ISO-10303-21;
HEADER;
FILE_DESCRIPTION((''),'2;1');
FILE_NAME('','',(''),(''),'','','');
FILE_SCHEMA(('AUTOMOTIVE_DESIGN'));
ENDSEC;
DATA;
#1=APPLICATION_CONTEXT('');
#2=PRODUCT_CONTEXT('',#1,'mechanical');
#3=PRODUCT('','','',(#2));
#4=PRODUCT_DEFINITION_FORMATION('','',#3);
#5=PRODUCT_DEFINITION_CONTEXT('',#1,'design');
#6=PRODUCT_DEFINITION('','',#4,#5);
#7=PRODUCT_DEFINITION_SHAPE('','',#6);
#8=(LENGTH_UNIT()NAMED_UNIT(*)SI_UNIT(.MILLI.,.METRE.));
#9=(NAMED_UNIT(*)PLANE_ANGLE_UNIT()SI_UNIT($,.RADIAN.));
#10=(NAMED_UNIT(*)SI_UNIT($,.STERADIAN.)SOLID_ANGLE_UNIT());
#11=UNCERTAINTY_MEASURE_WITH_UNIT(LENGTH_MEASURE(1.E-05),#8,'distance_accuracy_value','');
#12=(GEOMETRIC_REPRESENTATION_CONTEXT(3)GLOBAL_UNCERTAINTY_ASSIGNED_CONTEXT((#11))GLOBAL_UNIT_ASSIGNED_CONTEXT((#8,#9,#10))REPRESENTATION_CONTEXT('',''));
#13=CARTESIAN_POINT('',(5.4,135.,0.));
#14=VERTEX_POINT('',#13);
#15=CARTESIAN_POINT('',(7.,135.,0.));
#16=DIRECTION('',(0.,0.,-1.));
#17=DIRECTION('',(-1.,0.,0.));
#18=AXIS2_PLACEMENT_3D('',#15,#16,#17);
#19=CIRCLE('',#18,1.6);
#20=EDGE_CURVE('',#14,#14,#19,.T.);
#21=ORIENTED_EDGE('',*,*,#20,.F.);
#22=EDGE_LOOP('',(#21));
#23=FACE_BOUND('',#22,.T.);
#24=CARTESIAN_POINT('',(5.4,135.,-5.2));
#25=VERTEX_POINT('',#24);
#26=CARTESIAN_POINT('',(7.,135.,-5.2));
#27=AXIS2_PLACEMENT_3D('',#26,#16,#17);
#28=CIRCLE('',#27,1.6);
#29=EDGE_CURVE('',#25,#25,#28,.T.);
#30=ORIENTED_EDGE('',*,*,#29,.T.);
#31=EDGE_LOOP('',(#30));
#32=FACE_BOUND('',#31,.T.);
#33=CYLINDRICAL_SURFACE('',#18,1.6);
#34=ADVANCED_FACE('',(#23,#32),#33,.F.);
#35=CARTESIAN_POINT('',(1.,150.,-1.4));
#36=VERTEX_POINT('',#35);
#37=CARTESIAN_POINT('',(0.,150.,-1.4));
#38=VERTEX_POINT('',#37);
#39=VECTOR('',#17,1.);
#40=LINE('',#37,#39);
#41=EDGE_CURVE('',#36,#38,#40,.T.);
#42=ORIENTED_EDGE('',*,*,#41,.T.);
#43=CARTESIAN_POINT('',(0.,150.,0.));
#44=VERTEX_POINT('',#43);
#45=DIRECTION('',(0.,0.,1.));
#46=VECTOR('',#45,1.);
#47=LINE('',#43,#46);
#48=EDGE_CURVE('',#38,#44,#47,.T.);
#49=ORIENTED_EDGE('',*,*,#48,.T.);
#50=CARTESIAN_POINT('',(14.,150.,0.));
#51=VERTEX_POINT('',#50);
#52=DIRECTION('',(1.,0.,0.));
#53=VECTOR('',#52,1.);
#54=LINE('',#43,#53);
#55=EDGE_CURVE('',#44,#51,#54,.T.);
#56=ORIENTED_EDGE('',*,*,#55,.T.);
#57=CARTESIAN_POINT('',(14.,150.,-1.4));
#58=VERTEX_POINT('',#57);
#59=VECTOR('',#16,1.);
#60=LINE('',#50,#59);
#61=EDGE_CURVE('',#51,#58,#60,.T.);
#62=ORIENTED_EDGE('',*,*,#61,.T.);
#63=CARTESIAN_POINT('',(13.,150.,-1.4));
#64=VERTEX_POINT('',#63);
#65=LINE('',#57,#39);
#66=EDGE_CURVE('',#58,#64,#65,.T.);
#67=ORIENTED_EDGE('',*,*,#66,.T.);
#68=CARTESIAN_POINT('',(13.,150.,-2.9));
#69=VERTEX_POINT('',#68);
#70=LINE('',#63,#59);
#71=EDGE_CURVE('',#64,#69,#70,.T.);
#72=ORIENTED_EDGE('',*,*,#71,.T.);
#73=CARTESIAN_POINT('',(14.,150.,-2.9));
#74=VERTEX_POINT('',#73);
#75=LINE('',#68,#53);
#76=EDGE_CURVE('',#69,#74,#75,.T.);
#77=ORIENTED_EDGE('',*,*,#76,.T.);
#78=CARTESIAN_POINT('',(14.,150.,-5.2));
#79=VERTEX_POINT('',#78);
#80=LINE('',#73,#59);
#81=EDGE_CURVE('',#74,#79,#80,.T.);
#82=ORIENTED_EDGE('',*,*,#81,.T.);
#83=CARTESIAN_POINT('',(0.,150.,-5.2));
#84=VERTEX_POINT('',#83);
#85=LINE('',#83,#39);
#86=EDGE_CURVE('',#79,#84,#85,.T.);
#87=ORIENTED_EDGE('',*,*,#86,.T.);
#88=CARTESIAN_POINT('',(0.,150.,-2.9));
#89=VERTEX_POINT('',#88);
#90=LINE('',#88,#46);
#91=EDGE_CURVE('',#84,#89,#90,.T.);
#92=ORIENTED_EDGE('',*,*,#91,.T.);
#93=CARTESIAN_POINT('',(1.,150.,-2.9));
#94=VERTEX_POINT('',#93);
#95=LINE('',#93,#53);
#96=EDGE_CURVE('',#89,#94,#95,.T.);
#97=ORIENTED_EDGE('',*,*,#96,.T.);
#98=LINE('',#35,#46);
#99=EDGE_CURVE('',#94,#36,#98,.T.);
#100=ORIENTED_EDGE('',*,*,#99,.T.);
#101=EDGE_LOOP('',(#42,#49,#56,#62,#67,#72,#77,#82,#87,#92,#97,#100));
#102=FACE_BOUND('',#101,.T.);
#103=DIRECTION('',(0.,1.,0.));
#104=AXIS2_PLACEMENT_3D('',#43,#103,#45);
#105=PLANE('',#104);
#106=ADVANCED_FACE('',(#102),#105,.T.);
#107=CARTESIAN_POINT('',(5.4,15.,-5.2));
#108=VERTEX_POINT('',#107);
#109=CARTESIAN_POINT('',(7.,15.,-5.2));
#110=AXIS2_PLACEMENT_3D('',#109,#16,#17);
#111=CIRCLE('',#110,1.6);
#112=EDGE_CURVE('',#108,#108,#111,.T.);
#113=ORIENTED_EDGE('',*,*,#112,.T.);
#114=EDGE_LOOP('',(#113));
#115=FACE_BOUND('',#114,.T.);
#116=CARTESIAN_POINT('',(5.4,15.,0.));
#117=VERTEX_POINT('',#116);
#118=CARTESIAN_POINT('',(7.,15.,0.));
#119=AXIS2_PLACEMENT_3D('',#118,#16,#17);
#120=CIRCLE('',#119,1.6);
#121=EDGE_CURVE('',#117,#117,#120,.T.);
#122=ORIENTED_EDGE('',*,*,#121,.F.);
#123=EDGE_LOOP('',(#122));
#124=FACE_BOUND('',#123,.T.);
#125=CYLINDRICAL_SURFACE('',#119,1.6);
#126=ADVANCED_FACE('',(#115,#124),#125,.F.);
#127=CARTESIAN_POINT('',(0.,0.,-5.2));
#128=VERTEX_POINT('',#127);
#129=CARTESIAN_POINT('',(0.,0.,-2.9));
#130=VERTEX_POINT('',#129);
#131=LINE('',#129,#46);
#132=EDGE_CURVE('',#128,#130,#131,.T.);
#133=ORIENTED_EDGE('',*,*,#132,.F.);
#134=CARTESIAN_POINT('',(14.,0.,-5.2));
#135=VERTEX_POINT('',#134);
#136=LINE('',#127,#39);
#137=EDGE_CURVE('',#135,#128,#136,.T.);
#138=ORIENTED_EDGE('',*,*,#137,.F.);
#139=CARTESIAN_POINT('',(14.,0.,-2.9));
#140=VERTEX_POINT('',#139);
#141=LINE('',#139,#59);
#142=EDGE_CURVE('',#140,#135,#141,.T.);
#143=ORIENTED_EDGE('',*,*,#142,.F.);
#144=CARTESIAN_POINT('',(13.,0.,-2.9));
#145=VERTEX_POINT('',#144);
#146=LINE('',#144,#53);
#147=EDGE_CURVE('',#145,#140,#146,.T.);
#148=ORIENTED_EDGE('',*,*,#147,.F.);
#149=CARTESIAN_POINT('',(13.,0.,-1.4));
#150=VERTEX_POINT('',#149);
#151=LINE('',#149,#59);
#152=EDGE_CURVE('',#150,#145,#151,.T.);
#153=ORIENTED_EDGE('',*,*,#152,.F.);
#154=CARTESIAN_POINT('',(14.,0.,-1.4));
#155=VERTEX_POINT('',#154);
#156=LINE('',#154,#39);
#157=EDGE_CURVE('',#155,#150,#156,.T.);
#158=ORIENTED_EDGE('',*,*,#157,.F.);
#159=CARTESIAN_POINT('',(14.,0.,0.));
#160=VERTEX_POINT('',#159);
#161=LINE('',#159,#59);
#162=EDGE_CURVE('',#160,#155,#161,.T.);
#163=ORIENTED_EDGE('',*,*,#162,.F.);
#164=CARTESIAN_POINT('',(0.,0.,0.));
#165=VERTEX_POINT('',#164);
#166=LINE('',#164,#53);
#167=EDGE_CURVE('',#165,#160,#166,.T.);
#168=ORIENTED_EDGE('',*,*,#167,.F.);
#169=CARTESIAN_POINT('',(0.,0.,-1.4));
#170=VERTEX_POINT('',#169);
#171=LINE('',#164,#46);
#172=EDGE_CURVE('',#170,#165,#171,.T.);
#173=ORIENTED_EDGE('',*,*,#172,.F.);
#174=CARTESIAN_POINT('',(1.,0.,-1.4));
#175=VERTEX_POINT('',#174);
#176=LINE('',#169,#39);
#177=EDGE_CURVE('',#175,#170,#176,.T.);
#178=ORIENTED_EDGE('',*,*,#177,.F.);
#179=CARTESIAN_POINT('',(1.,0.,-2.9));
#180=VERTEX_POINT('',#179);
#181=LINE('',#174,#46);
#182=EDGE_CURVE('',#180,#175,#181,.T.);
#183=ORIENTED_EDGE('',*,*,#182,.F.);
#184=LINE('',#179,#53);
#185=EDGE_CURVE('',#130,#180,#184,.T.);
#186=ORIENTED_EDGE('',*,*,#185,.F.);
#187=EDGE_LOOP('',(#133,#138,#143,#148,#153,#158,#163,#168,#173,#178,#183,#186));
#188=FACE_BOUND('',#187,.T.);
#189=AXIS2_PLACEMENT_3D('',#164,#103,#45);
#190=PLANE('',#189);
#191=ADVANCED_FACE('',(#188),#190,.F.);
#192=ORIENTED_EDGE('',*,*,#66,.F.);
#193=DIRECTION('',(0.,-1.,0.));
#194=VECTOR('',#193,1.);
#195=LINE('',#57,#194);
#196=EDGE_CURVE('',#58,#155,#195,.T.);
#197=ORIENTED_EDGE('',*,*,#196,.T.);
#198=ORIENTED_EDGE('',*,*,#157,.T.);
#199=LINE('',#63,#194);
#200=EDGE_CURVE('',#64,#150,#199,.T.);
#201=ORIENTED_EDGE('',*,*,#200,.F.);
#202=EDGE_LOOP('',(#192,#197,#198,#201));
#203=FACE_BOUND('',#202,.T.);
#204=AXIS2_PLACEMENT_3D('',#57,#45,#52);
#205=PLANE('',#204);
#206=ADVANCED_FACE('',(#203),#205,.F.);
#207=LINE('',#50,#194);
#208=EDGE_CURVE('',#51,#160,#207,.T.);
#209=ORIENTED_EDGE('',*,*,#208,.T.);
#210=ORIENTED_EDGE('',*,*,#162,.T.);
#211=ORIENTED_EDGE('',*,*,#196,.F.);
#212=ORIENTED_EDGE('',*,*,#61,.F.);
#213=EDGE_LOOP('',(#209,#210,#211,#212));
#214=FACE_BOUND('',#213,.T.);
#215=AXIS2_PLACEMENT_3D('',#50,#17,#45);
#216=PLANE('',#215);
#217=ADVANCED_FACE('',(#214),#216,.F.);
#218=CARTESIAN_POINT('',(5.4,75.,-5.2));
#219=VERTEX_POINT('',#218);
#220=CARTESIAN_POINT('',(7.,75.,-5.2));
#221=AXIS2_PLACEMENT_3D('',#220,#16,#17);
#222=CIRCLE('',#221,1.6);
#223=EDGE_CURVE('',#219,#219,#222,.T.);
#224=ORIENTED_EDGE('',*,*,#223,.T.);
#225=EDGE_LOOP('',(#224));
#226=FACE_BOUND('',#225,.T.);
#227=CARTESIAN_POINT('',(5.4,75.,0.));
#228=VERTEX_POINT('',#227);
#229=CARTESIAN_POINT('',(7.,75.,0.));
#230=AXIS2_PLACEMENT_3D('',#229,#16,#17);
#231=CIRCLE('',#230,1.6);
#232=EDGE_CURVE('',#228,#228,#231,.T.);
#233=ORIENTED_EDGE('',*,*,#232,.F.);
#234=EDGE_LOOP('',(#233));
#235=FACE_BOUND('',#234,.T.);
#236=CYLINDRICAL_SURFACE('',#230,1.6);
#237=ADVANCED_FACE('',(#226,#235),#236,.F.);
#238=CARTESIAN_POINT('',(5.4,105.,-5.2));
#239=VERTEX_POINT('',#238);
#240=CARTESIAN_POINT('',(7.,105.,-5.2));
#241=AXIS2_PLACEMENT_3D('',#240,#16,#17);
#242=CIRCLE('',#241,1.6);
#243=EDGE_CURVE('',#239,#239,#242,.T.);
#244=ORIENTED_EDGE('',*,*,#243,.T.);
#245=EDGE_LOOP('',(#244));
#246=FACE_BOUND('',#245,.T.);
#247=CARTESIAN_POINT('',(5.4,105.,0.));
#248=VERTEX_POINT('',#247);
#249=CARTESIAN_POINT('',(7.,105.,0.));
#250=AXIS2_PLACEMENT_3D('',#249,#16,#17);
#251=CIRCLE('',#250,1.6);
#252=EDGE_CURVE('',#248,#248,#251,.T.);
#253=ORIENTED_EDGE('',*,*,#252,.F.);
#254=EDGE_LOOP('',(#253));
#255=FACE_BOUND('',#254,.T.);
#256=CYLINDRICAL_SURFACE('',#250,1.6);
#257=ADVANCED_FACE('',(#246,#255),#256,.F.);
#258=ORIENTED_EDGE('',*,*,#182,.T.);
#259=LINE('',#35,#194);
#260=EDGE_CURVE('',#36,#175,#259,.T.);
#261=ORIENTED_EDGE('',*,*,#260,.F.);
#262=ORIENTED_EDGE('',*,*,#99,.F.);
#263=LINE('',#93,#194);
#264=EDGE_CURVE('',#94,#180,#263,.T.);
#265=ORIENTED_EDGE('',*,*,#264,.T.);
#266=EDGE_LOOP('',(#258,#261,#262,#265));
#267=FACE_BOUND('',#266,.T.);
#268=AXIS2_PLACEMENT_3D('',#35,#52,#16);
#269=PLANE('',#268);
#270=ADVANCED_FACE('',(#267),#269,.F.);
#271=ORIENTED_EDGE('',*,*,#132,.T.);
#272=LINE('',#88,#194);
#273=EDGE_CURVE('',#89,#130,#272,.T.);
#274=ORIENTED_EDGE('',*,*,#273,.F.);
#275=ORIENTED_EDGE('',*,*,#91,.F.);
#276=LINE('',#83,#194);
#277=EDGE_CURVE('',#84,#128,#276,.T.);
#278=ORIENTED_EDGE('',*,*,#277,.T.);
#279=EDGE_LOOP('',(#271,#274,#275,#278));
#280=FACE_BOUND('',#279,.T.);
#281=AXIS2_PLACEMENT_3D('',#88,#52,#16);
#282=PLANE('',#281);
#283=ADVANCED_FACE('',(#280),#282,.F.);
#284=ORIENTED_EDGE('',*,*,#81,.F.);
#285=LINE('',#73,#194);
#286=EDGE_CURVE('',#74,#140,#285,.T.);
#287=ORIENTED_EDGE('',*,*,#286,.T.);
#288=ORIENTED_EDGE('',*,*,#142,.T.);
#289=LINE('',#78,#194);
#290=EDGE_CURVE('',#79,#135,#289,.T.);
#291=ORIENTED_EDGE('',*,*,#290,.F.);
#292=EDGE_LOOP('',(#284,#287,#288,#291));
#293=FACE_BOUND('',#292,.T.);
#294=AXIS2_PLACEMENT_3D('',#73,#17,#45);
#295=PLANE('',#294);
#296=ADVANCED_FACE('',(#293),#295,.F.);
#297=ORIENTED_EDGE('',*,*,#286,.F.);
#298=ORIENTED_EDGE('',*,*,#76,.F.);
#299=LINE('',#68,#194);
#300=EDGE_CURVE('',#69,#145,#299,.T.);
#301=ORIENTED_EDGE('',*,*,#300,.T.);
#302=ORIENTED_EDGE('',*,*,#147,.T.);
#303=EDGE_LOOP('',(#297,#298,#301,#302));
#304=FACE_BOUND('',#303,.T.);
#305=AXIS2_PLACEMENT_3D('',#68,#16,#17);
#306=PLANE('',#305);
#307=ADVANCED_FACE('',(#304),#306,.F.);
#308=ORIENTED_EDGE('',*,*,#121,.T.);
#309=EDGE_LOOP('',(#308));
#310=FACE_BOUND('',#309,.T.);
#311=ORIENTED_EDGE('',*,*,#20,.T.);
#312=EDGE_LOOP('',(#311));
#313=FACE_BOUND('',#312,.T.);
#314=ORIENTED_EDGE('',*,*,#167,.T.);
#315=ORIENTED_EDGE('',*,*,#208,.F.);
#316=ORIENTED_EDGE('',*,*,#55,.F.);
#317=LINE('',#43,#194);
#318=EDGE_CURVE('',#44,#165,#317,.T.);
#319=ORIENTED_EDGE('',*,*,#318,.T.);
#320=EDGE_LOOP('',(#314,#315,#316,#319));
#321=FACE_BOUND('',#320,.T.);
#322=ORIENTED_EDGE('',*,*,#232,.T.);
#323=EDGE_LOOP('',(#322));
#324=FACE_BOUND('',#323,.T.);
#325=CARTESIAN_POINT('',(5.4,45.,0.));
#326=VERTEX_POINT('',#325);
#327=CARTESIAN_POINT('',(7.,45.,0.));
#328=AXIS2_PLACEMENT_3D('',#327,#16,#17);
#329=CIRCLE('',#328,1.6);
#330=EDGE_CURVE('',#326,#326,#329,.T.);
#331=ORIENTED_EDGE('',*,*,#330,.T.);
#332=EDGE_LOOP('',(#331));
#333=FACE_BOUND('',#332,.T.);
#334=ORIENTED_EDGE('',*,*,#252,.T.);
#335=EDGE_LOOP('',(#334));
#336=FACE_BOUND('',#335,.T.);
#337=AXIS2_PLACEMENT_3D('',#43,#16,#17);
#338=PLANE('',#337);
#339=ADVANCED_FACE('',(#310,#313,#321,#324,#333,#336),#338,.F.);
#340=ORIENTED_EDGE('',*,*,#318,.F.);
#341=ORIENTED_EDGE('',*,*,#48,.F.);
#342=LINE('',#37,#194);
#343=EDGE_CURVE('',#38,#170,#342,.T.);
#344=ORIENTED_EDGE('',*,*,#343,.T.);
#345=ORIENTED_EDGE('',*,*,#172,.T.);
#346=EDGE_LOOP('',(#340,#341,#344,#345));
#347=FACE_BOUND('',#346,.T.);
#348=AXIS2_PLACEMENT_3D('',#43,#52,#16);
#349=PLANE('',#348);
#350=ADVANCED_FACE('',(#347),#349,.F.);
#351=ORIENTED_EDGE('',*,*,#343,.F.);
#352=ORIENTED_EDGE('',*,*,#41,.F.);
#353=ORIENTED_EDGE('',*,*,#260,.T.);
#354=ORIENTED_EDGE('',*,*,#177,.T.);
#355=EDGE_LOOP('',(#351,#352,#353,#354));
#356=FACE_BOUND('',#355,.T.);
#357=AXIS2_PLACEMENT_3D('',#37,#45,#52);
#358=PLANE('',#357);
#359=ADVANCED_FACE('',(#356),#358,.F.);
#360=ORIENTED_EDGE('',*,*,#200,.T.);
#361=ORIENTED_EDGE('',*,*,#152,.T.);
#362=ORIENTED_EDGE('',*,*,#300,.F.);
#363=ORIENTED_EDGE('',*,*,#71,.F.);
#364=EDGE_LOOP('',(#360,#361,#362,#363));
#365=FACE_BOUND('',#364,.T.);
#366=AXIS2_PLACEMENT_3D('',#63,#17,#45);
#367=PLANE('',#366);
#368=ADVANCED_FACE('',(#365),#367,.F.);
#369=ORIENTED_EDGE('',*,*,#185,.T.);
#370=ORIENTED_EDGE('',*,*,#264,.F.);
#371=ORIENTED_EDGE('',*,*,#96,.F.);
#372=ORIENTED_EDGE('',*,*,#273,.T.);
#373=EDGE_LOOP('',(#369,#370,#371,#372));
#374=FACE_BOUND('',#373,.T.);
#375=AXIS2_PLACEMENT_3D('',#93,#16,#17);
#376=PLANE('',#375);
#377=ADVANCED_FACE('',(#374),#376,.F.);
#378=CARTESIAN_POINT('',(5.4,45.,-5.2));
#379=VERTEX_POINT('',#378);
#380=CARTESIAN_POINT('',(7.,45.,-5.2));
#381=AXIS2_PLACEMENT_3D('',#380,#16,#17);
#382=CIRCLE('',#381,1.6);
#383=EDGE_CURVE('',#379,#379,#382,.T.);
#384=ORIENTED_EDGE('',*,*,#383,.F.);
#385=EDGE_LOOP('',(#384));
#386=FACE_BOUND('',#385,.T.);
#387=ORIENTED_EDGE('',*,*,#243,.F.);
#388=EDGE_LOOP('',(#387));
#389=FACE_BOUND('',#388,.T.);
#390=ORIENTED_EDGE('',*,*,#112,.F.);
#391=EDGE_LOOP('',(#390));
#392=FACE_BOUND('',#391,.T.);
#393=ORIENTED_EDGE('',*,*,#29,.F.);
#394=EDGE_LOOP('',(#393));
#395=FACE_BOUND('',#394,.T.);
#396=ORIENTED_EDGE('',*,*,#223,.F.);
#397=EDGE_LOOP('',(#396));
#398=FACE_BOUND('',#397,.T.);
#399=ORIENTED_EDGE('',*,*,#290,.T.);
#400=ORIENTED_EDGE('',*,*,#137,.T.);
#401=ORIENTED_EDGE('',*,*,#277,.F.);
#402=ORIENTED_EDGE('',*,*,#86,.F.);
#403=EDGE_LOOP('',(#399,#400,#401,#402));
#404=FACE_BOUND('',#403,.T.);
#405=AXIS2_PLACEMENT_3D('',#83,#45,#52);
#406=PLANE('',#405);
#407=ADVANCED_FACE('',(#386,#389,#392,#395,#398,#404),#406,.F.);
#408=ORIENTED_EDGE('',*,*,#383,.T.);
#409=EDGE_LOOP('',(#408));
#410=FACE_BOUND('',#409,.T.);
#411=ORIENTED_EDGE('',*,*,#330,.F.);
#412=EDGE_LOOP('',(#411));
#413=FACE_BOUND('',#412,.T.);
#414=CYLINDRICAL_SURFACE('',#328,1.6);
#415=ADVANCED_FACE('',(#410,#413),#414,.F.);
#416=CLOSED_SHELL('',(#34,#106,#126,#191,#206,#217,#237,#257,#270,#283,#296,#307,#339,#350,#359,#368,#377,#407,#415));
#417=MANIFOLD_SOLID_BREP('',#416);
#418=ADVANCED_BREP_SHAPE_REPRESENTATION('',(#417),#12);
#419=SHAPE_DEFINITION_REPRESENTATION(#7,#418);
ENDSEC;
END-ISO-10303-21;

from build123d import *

# Parameters (mm, degrees)
EXTRUDE_1_DEPTH     = 150
SKETCH_2_R          = 1.6
CUT_EXTRUDE_1_DEPTH = 151.741633267


with BuildPart() as part:
    # 草图1 → 凸台-拉伸1 (new body)
    with BuildSketch(Plane(origin=(0, 0, 0), x_dir=(1, 0, 0), z_dir=(0, 1, 0))):
        Polygon((0, 0), (0, 1.4), (1, 1.4), (1, 2.9), (0, 2.9), (0, 5.2), (14, 5.2), (14, 2.9), (13, 2.9), (13, 1.4), (14, 1.4), (14, 0), align=None)
    extrude(amount=EXTRUDE_1_DEPTH)

    # 草图2 → 切除-拉伸1 (cut, through all)
    with BuildSketch(Plane(origin=(0, 0, -5.2), x_dir=(-1, 0, 0), z_dir=(0, 0, -1))):
        with Locations((-7, 15)):
            Circle(SKETCH_2_R)
        with Locations((-7, 45)):
            Circle(SKETCH_2_R)
        with Locations((-7, 75)):
            Circle(SKETCH_2_R)
        with Locations((-7, 105)):
            Circle(SKETCH_2_R)
        with Locations((-7, 135)):
            Circle(SKETCH_2_R)
    extrude(amount=-CUT_EXTRUDE_1_DEPTH, mode=Mode.SUBTRACT)


solid = part.part
